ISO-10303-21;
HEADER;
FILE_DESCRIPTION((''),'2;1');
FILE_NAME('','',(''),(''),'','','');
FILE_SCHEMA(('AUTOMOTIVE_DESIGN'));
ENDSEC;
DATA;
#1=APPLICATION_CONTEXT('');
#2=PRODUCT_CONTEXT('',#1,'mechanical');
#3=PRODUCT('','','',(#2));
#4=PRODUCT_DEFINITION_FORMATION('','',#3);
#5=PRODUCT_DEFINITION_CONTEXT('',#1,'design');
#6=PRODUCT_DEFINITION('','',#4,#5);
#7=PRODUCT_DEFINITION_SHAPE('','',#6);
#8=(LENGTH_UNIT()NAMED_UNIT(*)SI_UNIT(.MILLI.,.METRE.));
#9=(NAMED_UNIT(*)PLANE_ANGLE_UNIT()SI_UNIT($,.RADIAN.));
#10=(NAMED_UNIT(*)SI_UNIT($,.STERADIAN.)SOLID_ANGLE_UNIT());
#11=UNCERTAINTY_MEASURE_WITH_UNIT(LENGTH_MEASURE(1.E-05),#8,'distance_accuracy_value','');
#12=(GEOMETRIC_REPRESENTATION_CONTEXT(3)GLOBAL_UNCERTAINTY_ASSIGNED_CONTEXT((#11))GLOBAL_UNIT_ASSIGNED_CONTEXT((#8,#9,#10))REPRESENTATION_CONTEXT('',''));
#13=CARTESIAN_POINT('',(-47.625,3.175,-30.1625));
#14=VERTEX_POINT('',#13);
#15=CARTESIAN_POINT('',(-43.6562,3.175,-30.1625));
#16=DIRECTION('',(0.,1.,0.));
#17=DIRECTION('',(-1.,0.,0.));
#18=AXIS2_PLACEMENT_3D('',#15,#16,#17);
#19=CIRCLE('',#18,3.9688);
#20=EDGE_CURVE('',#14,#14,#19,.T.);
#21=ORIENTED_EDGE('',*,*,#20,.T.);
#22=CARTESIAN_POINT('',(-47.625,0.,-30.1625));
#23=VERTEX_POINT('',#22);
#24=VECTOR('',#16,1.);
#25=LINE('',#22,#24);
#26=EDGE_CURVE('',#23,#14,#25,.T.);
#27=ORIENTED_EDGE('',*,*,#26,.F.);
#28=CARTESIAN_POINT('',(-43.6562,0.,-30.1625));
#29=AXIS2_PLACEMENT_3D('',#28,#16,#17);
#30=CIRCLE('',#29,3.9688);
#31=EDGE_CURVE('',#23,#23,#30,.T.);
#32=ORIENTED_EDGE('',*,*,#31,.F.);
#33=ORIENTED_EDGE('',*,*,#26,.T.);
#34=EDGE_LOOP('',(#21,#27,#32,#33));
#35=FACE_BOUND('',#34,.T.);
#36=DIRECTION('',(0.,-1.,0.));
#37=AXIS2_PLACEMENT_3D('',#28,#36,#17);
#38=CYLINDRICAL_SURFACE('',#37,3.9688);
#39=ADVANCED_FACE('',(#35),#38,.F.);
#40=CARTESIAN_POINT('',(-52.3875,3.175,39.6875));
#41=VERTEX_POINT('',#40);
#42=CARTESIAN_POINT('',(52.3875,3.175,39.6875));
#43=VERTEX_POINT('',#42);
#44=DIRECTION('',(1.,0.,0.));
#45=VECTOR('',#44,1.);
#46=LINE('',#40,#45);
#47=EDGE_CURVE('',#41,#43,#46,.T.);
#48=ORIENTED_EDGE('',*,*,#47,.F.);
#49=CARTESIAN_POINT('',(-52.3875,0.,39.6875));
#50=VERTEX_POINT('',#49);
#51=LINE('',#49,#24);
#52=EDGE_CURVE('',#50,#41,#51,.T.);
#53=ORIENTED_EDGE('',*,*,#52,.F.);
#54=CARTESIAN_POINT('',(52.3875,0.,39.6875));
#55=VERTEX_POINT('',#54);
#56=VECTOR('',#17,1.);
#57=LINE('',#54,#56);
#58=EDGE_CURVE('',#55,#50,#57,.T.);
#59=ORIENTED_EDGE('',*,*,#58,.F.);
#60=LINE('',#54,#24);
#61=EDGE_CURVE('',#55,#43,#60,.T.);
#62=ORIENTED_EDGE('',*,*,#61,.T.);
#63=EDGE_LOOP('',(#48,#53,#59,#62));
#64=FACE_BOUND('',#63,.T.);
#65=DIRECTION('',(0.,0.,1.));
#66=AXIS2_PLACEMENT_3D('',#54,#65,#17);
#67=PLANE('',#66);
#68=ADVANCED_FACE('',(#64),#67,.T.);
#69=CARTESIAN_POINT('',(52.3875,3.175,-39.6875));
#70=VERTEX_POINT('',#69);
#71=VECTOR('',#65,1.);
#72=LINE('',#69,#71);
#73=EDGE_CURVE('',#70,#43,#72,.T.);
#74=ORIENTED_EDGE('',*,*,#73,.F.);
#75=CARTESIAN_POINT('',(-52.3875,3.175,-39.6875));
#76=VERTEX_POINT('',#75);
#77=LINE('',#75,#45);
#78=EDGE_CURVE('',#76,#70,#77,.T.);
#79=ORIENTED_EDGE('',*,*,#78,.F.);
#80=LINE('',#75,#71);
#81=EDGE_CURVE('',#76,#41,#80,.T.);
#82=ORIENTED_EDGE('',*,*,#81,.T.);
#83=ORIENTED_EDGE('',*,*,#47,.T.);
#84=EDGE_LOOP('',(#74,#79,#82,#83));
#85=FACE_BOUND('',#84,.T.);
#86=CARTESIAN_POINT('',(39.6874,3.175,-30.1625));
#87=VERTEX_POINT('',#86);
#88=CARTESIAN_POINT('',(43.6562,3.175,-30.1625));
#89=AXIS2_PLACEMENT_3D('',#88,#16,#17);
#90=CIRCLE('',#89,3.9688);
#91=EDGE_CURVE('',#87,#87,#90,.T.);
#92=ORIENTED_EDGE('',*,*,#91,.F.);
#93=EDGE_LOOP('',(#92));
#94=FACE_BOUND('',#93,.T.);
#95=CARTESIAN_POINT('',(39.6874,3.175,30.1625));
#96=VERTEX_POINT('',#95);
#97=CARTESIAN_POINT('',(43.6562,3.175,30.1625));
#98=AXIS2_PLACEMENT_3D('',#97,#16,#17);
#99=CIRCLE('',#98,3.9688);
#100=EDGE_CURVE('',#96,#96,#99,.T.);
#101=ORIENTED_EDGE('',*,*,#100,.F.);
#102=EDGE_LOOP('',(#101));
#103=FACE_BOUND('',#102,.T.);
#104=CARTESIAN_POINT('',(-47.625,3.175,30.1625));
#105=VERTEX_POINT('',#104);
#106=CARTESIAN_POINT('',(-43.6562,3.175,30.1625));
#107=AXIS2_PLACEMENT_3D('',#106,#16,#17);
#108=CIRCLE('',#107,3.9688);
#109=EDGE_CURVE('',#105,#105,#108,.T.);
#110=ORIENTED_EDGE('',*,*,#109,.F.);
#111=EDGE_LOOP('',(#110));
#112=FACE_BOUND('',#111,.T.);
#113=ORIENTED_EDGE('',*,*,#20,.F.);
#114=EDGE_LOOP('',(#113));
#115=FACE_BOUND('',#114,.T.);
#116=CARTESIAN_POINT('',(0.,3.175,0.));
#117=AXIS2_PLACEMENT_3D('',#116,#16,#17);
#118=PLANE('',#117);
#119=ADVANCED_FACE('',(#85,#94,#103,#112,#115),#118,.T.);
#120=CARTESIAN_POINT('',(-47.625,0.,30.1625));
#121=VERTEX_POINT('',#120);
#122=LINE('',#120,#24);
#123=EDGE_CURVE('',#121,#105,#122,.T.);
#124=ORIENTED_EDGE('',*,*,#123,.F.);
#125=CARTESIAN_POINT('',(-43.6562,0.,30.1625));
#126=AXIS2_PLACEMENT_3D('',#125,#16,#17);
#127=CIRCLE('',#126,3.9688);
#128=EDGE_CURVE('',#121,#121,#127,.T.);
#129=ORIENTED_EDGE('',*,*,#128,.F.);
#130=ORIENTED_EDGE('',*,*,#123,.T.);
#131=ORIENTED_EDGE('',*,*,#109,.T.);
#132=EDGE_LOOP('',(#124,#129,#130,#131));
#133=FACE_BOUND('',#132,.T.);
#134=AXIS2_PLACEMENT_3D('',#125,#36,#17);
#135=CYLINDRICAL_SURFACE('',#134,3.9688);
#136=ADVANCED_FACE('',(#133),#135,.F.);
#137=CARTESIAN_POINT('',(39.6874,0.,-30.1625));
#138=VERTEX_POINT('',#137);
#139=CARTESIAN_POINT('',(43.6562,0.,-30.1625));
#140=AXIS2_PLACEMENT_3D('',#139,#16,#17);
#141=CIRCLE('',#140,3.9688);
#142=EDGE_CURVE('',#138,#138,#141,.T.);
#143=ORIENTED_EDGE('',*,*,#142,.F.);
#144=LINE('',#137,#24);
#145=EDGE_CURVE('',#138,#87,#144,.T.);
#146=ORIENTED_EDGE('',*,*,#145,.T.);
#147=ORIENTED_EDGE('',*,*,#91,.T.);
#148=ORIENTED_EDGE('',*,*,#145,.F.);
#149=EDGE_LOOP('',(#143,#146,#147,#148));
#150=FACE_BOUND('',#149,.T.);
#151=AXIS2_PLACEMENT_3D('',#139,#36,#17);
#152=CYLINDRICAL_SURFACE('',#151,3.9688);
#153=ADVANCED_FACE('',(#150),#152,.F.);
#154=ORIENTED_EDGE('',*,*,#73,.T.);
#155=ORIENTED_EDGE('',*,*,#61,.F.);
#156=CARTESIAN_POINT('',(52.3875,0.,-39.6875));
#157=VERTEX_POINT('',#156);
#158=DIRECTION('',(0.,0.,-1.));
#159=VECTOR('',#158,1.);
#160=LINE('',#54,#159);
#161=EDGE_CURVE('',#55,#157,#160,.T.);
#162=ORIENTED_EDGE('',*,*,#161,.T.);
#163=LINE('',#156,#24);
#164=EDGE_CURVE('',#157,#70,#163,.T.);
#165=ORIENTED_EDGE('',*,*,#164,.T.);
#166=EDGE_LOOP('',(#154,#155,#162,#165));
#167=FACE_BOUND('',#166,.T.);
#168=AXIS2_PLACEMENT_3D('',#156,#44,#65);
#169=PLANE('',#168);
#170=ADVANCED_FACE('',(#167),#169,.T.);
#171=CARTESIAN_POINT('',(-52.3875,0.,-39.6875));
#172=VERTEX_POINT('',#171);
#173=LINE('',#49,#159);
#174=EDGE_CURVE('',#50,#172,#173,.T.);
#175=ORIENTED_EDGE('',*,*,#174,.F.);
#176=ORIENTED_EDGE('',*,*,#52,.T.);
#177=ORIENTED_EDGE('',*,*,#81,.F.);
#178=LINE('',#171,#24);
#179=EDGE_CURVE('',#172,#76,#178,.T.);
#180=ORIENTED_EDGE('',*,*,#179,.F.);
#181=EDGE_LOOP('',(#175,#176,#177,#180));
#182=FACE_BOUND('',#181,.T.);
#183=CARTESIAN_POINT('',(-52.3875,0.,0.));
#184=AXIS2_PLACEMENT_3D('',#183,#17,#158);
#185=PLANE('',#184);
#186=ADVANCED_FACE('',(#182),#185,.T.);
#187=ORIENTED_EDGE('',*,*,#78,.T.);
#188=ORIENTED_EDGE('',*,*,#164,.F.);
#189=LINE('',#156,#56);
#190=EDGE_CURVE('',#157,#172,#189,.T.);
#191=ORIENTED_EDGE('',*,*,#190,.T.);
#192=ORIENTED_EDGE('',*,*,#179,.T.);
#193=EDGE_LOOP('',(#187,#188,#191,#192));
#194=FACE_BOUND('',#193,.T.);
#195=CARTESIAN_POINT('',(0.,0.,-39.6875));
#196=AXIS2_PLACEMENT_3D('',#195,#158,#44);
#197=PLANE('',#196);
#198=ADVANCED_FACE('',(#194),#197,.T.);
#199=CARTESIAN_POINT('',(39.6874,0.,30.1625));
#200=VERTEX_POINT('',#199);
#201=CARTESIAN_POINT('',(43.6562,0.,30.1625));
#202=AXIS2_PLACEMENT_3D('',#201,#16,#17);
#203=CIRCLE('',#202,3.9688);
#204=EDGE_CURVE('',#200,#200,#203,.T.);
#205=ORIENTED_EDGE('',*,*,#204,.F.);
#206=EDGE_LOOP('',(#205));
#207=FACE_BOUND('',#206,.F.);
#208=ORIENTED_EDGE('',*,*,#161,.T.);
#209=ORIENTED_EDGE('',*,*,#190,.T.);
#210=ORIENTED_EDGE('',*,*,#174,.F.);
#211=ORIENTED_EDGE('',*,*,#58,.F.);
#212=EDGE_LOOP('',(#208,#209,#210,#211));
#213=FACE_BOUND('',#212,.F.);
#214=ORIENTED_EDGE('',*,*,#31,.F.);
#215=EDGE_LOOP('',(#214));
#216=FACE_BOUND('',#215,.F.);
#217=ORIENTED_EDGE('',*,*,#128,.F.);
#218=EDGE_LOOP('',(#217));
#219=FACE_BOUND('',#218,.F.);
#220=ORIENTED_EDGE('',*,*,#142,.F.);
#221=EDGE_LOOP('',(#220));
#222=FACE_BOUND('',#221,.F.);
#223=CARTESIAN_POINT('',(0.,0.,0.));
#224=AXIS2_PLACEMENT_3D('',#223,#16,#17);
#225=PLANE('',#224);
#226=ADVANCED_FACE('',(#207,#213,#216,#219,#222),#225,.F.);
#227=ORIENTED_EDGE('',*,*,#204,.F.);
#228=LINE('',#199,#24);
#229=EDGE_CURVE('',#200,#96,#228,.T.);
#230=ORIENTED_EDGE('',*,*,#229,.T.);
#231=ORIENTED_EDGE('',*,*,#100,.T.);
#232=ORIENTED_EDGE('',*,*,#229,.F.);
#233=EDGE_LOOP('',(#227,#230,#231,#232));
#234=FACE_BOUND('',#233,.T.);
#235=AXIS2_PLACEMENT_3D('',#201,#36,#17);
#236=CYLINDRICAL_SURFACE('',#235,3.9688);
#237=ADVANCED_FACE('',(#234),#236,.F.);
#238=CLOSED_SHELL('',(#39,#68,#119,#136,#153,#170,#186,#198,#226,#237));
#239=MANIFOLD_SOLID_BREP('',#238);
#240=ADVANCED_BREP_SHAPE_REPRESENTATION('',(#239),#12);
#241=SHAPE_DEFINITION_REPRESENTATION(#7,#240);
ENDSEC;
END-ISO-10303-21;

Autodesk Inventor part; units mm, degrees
ref_plane "YZ Plane" through (0, 0, 0) normal (1, 0, 0) x (0, 1, 0)
ref_plane "XZ Plane" through (0, 0, 0) normal (0, 1, 0) x (-1, 0, 0)
ref_plane "XY Plane" through (0, 0, 0) normal (0, 0, 1) x (1, 0, 0)
sketch "Sketch1" plane through (0, 0, 0) normal (0, 1, 0) x (-1, 0, 0)
  line L0 (0, -55.5625) -> (0, 55.5625) projected
  line L1 (73.3425, 0) -> (-73.3425, 0) projected
  line L2 (52.3875, -39.6875) -> (-52.3875, -39.6875)
  line L3 (-52.3875, -39.6875) -> (-52.3875, 39.6875)
  line L4 (-52.3875, 39.6875) -> (52.3875, 39.6875)
  line L5 (52.3875, 39.6875) -> (52.3875, -39.6875)
  circle A0 centre (43.6562, -30.1625) radius 3.9688
  circle A1 centre (43.6562, 30.1625) radius 3.9688
  circle A2 centre (-43.6562, -30.1625) radius 3.9688
  circle A3 centre (-43.6562, 30.1625) radius 3.9688
  point P0 (0, 0)
  dimension "d0" = 104.775
  dimension "d1" = 79.375
  dimension "d4" = 7.9375
  dimension "d7" = 87.3125
  dimension "d8" = 60.325
extrude "Extrusion1" add sketch "Sketch1" along normal blind 3.175
properties part number "Swivel_Caster_Plate"
